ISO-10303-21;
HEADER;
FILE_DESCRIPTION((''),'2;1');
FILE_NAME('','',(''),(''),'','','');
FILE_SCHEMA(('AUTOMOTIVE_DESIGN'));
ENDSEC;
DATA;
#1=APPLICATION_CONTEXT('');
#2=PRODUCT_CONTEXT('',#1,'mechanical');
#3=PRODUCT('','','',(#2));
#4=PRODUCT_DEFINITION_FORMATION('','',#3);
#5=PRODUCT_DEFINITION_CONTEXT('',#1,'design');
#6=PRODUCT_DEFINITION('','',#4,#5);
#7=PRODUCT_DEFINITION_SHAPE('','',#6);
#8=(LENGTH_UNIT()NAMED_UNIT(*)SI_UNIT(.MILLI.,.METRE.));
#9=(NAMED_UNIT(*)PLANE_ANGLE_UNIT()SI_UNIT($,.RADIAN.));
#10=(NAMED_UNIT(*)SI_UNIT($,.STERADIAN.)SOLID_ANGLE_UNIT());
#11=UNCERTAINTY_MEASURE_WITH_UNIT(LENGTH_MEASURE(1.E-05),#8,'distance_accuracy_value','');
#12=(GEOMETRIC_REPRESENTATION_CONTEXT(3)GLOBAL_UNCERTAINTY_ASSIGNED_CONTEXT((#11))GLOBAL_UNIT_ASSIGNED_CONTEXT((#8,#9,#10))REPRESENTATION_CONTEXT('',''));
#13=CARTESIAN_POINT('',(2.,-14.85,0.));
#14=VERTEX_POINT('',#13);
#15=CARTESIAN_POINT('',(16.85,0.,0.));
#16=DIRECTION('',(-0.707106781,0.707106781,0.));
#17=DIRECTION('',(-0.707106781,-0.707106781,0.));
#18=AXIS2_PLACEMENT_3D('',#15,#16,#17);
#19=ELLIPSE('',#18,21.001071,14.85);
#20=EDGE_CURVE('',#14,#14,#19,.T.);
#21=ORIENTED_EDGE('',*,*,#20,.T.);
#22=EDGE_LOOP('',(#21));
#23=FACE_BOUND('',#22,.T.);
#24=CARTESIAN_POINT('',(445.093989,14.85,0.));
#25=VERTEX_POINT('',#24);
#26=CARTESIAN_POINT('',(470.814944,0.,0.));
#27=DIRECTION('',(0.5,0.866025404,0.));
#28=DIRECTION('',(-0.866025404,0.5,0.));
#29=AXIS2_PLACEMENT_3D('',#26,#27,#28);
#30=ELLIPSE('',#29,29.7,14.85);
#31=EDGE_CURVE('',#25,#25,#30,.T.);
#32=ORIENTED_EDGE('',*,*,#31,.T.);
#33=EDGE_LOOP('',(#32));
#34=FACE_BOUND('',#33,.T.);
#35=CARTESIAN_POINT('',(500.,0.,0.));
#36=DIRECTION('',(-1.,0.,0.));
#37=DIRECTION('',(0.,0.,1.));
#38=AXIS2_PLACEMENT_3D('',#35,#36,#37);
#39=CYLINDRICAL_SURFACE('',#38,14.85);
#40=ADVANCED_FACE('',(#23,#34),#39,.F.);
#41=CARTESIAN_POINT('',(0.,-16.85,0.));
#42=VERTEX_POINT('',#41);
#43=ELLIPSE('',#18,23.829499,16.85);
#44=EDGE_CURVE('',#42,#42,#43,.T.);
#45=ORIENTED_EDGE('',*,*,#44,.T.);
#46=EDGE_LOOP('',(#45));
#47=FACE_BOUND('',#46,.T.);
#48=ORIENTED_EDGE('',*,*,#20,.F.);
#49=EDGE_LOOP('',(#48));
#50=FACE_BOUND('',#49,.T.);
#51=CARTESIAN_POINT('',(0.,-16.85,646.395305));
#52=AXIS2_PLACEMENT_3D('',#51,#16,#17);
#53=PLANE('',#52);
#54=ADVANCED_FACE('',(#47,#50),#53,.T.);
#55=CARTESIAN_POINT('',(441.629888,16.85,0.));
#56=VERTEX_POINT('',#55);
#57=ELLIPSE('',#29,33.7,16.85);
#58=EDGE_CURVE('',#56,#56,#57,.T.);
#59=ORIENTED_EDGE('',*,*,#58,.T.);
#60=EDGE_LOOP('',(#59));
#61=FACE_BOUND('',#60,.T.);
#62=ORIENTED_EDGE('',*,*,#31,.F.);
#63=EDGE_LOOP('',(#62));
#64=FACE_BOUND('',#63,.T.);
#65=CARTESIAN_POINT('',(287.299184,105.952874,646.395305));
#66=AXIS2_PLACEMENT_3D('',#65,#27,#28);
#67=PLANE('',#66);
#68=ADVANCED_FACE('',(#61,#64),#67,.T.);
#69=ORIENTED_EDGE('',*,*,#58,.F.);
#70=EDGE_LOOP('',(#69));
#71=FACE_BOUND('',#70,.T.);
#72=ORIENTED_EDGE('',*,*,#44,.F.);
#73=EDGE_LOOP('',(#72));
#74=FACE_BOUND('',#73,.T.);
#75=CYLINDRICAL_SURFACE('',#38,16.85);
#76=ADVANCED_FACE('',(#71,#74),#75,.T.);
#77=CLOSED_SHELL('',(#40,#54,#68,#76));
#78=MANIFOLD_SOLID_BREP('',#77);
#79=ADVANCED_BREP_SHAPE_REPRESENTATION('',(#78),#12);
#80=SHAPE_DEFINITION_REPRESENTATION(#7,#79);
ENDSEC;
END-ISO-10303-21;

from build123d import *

# Parameters (mm, degrees)
SKETCH1_R               = 16.85
SKETCH1_R_2             = 14.85
ROHR_33_7_X_2_0_1_DEPTH = 500
WINKEL_DEPTH            = 501.567522918
WINKEL_DEPTH_BACK       = 501.567522918


with BuildPart() as part:
    # Sketch1 → Rohr 33.7 X 2.0(1) (new body)
    with BuildSketch(Plane.YZ):
        Circle(SKETCH1_R)
        Circle(SKETCH1_R_2, mode=Mode.SUBTRACT)
    extrude(amount=ROHR_33_7_X_2_0_1_DEPTH)

    # Skizze3 → Winkel (cut, two sides: drawn at the far end of the back side and taken through both)
    with BuildSketch(Plane.XY.offset(-WINKEL_DEPTH_BACK)):
        Polygon((-715.782137289, -732.632137289), (0, -16.85), (122.802873567, 105.952873567), (287.299183666, 105.952873567), (500, -16.85), (1376.650501679, -522.98440313), (1174.815942615, 1491.467223311), (-917.616696354, 1281.819489151), align=None)
    extrude(amount=WINKEL_DEPTH + WINKEL_DEPTH_BACK, mode=Mode.SUBTRACT)


solid = part.part
